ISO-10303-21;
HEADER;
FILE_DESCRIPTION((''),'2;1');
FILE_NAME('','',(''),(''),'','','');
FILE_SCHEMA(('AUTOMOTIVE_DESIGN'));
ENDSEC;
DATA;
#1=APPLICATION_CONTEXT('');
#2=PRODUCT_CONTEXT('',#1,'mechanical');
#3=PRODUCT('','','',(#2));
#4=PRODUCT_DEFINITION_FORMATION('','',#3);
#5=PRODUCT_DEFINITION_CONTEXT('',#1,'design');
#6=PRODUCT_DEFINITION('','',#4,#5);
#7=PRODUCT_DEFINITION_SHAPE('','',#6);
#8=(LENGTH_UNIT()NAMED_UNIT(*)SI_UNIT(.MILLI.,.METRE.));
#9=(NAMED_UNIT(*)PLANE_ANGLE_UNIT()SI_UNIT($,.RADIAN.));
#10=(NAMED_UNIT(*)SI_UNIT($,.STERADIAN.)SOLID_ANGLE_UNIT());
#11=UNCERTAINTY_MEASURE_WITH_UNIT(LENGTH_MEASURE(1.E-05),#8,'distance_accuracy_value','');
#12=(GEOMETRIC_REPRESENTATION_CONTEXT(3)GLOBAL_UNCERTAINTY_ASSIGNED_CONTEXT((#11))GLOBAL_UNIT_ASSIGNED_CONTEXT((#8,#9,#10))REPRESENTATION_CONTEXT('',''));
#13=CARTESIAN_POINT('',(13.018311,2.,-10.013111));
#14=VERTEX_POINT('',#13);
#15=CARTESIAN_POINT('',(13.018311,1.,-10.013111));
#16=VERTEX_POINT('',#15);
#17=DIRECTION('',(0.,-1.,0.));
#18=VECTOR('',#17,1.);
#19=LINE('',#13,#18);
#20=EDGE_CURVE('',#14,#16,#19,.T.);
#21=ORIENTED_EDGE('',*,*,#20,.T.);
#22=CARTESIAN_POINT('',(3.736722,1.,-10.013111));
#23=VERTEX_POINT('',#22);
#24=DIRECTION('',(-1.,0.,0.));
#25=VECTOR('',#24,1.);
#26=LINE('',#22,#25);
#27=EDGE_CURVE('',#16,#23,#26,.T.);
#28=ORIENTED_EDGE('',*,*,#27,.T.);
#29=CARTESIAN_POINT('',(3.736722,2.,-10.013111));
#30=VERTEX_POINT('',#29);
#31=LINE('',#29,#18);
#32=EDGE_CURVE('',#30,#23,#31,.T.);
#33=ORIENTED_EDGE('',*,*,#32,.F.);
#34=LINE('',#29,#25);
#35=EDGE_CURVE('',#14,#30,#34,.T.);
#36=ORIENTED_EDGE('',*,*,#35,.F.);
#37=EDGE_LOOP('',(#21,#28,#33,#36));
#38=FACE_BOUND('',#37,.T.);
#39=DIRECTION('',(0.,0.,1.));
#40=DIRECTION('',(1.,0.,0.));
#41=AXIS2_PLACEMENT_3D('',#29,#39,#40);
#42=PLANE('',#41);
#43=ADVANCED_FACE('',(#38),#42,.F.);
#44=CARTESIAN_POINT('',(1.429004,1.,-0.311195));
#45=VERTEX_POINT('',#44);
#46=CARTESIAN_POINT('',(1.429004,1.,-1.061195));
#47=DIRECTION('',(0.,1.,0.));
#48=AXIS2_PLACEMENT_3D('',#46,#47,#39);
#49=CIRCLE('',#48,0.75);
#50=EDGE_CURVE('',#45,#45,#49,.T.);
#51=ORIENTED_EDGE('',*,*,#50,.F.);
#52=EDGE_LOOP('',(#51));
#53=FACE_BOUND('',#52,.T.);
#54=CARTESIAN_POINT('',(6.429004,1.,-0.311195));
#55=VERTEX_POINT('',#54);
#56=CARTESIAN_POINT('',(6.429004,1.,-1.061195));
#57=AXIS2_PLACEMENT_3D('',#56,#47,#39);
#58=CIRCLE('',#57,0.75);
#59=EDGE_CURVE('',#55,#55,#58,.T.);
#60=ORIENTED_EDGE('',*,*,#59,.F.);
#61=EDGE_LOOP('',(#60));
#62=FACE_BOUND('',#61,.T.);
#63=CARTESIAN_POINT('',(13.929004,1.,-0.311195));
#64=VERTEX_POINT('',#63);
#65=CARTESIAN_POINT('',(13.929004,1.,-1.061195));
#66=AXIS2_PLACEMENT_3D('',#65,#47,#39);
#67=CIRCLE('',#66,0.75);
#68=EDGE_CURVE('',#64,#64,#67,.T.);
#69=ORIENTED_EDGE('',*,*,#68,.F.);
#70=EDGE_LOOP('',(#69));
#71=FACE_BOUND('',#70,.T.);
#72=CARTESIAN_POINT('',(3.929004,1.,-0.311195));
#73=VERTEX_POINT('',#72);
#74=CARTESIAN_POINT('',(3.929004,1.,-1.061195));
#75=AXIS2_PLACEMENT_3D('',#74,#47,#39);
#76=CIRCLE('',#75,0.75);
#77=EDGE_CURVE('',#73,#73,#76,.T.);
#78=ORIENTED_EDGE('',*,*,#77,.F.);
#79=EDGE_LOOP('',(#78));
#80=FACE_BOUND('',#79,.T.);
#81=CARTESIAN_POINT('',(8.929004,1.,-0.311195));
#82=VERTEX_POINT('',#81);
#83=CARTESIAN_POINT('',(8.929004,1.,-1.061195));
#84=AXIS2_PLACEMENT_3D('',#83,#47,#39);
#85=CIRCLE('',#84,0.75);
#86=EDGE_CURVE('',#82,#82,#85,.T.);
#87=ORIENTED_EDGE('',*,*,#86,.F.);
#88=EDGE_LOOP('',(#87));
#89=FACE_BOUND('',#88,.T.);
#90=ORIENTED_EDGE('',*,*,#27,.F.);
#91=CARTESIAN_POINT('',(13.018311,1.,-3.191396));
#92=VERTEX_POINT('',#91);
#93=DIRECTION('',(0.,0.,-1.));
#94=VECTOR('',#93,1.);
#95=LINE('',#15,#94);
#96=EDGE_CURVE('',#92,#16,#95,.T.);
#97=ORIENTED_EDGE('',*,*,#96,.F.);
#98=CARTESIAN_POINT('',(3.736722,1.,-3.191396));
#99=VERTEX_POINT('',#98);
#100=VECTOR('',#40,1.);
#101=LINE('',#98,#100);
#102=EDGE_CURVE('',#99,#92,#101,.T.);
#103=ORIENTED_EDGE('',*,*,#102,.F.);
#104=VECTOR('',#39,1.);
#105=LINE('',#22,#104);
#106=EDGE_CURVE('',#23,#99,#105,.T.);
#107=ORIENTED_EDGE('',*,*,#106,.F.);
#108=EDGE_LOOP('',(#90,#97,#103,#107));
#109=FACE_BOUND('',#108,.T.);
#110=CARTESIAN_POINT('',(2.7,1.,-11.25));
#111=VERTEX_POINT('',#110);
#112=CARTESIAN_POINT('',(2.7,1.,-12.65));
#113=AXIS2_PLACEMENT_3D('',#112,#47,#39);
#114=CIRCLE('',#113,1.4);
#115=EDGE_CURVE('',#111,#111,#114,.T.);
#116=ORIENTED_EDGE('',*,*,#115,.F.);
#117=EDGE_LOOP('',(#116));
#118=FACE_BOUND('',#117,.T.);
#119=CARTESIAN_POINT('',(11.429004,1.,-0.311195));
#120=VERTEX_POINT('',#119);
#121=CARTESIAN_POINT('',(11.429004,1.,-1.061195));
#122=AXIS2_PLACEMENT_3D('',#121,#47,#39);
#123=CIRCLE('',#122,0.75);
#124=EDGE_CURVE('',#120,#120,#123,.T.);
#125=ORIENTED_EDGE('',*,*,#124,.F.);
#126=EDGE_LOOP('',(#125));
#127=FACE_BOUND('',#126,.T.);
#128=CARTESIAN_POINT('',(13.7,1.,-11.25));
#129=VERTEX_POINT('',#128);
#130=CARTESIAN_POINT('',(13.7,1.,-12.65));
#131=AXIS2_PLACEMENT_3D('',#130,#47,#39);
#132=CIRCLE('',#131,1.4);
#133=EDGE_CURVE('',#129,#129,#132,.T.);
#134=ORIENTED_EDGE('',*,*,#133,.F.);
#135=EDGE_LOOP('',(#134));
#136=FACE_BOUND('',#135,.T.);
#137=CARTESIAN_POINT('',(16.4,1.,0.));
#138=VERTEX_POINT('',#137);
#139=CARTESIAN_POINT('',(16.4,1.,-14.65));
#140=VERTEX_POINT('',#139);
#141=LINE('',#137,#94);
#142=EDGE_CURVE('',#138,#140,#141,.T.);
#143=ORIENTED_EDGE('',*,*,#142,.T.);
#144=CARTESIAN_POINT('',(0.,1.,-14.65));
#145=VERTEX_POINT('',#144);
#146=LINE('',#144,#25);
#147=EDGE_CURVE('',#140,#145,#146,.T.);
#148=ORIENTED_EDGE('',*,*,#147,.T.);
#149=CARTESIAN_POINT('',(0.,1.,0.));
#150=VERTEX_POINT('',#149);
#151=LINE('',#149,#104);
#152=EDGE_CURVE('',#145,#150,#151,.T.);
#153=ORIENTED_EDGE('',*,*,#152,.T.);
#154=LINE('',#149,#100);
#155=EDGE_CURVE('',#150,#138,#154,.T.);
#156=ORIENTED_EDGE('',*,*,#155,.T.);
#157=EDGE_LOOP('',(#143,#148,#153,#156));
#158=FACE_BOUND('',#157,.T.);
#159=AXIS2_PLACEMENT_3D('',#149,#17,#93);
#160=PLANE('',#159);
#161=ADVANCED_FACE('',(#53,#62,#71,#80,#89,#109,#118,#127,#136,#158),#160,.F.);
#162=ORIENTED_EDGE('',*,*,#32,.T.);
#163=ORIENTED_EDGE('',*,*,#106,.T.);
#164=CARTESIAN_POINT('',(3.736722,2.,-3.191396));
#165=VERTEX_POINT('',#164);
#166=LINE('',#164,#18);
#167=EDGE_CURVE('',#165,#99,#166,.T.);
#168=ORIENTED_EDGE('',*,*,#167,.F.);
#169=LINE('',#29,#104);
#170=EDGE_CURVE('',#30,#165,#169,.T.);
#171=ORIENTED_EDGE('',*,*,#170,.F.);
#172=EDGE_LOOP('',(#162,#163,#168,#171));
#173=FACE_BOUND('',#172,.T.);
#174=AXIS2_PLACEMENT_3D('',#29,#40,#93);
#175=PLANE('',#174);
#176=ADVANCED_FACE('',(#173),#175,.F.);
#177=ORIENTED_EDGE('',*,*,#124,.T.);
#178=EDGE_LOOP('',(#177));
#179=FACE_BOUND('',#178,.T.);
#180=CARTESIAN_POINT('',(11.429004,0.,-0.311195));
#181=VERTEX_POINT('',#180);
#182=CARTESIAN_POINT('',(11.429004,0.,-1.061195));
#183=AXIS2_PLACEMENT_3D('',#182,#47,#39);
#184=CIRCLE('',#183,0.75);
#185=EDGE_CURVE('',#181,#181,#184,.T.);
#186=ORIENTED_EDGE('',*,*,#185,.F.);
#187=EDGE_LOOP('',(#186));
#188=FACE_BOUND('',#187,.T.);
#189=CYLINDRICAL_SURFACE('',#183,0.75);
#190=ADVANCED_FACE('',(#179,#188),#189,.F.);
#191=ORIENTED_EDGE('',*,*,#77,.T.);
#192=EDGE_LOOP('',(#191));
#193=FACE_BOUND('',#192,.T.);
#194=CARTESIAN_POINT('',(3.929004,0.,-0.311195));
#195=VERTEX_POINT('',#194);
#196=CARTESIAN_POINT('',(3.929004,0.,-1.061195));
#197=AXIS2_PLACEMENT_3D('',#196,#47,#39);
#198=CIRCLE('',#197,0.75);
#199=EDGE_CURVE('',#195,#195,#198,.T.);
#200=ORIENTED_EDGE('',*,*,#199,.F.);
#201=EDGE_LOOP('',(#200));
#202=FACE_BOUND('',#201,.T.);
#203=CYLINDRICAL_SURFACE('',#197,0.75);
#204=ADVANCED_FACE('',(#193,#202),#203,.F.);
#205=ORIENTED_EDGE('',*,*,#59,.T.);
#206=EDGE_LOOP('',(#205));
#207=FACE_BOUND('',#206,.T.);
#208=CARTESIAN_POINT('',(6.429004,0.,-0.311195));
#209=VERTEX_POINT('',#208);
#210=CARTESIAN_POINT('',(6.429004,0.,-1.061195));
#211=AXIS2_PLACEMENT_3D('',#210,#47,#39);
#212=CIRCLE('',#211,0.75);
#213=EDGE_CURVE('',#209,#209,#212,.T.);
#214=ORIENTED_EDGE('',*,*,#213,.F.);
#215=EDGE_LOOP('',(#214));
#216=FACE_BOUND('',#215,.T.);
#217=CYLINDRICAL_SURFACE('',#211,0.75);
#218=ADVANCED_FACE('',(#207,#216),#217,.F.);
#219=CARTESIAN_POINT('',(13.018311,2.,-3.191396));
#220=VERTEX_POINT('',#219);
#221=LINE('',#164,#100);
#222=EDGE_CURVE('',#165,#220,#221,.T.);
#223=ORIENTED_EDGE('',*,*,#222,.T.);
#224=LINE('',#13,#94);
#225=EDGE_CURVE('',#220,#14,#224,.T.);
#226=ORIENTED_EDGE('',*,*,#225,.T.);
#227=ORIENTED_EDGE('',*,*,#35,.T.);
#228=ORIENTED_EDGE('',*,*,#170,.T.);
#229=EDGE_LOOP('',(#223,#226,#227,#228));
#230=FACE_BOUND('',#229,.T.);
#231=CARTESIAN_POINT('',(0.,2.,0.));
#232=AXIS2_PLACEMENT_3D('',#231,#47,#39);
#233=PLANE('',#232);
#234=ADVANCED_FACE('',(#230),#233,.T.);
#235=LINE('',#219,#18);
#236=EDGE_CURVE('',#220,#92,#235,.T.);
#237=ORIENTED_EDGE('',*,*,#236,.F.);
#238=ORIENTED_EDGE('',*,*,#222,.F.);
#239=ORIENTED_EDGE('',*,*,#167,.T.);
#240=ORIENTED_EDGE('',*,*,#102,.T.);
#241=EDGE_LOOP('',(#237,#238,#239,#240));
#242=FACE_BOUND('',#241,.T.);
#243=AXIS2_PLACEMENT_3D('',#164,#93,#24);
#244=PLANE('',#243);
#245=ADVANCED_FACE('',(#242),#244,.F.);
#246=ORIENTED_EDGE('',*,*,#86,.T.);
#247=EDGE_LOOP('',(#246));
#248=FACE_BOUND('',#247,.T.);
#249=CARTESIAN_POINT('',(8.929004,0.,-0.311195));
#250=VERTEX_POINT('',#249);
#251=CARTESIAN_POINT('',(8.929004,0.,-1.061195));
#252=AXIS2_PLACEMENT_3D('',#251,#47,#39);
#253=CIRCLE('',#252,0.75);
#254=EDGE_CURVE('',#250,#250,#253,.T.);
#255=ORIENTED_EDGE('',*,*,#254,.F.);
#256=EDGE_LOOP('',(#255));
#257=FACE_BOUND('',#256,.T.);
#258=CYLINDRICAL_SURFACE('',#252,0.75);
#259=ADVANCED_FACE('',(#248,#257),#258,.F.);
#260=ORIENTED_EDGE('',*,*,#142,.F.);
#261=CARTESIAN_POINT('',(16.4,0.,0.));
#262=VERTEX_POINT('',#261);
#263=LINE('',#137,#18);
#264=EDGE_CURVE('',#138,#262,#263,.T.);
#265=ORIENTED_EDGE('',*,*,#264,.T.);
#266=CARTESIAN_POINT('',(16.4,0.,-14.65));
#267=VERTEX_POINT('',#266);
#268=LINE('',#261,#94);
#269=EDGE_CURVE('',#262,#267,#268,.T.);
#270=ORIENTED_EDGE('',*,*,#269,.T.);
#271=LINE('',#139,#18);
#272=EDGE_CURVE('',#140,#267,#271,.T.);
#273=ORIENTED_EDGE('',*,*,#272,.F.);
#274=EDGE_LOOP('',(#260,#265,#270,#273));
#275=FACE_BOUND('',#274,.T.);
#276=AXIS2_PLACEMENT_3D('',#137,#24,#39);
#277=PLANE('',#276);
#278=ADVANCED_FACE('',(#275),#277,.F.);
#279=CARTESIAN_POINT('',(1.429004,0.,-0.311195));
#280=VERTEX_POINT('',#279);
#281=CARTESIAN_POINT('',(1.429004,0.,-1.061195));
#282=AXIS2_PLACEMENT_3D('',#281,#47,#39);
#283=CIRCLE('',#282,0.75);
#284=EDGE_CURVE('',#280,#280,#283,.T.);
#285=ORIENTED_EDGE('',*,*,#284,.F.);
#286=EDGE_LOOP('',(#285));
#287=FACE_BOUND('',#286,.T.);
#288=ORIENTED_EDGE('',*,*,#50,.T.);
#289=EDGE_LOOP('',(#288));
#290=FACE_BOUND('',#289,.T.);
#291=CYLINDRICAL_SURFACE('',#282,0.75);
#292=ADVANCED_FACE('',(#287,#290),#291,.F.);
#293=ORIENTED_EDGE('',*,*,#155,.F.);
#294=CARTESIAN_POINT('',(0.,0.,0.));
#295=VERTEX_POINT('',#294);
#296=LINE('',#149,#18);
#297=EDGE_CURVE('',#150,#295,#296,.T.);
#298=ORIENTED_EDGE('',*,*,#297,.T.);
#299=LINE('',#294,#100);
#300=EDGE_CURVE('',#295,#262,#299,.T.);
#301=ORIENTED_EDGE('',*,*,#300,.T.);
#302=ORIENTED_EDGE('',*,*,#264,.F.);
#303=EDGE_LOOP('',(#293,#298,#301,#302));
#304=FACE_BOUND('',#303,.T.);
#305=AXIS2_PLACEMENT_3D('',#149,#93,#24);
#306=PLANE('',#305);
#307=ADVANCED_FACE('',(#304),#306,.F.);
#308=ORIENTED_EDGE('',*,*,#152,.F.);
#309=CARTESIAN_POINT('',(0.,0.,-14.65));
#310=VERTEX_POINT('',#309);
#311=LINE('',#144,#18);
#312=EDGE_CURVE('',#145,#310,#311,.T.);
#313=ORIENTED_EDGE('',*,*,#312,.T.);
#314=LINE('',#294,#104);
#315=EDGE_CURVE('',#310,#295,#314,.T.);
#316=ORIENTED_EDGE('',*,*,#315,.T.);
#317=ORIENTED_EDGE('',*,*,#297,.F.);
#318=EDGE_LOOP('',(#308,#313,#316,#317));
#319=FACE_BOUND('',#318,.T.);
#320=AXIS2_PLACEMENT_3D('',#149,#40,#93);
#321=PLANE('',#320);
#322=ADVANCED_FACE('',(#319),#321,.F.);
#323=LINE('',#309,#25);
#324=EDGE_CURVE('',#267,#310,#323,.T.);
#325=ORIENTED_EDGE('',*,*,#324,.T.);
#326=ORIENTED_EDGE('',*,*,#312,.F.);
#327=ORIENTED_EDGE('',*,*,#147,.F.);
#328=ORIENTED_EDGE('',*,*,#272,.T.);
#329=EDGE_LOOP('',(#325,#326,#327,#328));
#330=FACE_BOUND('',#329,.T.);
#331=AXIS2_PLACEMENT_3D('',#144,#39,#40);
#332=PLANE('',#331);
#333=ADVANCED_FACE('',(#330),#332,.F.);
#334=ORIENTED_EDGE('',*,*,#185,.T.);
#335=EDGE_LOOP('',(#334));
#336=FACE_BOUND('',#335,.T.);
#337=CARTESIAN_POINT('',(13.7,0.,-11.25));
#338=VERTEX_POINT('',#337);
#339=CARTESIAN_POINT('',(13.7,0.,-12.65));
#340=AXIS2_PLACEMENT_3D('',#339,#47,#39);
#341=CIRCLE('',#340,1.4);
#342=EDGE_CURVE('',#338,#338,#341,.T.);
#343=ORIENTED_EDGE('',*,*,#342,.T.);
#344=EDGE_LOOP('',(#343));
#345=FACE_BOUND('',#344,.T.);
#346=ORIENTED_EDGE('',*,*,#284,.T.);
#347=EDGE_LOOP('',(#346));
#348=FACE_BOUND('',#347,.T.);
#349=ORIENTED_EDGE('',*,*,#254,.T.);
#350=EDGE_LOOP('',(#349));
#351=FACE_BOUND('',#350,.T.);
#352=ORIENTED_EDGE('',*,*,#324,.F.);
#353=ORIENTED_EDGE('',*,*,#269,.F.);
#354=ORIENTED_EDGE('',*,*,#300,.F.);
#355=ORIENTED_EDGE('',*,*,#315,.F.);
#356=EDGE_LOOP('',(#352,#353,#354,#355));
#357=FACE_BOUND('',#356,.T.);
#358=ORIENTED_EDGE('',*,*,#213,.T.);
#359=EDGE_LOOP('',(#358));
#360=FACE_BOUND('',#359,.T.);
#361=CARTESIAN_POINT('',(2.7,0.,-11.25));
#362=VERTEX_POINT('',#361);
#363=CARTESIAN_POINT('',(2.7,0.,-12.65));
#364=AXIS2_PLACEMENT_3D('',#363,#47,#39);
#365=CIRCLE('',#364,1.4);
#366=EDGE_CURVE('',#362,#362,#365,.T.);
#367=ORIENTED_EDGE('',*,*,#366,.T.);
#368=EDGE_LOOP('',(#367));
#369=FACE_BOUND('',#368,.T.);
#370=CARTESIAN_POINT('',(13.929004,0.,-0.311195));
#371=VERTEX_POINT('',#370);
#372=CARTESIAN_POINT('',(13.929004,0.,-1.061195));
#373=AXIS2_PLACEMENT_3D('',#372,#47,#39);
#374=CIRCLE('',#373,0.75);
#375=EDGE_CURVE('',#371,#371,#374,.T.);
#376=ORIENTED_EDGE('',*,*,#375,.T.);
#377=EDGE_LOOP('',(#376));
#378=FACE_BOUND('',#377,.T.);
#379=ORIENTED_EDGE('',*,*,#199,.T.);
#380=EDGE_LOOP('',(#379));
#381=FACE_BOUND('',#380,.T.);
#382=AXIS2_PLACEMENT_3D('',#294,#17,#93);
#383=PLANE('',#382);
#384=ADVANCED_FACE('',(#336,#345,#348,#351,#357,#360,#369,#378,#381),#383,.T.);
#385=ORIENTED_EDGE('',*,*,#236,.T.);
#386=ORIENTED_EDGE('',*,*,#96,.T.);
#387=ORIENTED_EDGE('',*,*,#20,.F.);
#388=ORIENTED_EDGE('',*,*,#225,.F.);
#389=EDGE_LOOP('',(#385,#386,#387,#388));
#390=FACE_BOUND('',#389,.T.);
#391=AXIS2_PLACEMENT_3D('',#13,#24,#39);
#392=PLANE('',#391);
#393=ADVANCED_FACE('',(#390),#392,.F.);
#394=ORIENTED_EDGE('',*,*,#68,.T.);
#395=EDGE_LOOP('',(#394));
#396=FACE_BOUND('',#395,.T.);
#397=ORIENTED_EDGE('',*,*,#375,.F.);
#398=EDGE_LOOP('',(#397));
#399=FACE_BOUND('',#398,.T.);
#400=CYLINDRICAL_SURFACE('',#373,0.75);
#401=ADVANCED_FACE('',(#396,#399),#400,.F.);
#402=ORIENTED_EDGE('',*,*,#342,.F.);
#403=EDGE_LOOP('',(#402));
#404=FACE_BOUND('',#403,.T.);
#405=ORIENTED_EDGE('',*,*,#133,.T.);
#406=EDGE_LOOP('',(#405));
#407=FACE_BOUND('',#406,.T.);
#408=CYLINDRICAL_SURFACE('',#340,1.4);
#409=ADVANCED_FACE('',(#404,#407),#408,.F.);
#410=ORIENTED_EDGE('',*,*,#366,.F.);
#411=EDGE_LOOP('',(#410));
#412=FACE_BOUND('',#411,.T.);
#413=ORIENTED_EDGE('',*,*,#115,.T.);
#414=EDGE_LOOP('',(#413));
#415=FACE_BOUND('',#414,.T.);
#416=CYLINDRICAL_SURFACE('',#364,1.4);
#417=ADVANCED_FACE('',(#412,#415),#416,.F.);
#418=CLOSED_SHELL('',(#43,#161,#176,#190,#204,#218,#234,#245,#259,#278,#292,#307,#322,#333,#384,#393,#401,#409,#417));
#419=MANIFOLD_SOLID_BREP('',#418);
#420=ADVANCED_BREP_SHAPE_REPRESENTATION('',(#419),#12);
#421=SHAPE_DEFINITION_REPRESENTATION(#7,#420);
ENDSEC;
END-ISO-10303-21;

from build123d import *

# Parameters (mm, degrees)
SKETCH1_W           = 16.4
SKETCH1_H           = 14.65
BOSS_EXTRUDE1_DEPTH = 1
SKETCH2_R           = 0.75
SKETCH2_R_2         = 1.4
CUT_EXTRUDE1_DEPTH  = 23.013234656
SKETCH3_W           = 9.281589498
SKETCH3_H           = 6.821714685
BOSS_EXTRUDE2_DEPTH = 1


with BuildPart() as part:
    # Sketch1 → Boss-Extrude1 (new body)
    with BuildSketch(Plane(origin=(0, 0, 0), x_dir=(1, 0, 0), z_dir=(0, 1, 0))):
        with Locations((8.2, 7.325)):
            Rectangle(SKETCH1_W, SKETCH1_H)
    extrude(amount=BOSS_EXTRUDE1_DEPTH)

    # Sketch2 → Cut-Extrude1 (cut, through all)
    with BuildSketch(Plane(origin=(0, 1, 0), x_dir=(1, 0, 0), z_dir=(0, 1, 0))):
        with Locations(Location((1.429004383, 1.061195066, 0), (0, 0, 270))):
            Circle(SKETCH2_R)
        with Locations(Location((3.929004383, 1.061195066, 0), (0, 0, 270))):
            Circle(SKETCH2_R)
        with Locations(Location((6.429004383, 1.061195066, 0), (0, 0, 270))):
            Circle(SKETCH2_R)
        with Locations(Location((8.929004383, 1.061195066, 0), (0, 0, 270))):
            Circle(SKETCH2_R)
        with Locations(Location((11.429004383, 1.061195066, 0), (0, 0, 270))):
            Circle(SKETCH2_R)
        with Locations(Location((13.929004383, 1.061195066, 0), (0, 0, 270))):
            Circle(SKETCH2_R)
        with Locations(Location((2.7, 12.65, 0), (0, 0, 270))):
            Circle(SKETCH2_R_2)
        with Locations(Location((13.7, 12.65, 0), (0, 0, 270))):
            Circle(SKETCH2_R_2)
    extrude(amount=-CUT_EXTRUDE1_DEPTH, mode=Mode.SUBTRACT)

    # Sketch3 → Boss-Extrude2 (add)
    with BuildSketch(Plane(origin=(0, 1, 0), x_dir=(1, 0, 0), z_dir=(0, 1, 0))):
        with Locations((8.377516739, 6.602253277)):
            Rectangle(SKETCH3_W, SKETCH3_H)
    extrude(amount=BOSS_EXTRUDE2_DEPTH)


solid = part.part
